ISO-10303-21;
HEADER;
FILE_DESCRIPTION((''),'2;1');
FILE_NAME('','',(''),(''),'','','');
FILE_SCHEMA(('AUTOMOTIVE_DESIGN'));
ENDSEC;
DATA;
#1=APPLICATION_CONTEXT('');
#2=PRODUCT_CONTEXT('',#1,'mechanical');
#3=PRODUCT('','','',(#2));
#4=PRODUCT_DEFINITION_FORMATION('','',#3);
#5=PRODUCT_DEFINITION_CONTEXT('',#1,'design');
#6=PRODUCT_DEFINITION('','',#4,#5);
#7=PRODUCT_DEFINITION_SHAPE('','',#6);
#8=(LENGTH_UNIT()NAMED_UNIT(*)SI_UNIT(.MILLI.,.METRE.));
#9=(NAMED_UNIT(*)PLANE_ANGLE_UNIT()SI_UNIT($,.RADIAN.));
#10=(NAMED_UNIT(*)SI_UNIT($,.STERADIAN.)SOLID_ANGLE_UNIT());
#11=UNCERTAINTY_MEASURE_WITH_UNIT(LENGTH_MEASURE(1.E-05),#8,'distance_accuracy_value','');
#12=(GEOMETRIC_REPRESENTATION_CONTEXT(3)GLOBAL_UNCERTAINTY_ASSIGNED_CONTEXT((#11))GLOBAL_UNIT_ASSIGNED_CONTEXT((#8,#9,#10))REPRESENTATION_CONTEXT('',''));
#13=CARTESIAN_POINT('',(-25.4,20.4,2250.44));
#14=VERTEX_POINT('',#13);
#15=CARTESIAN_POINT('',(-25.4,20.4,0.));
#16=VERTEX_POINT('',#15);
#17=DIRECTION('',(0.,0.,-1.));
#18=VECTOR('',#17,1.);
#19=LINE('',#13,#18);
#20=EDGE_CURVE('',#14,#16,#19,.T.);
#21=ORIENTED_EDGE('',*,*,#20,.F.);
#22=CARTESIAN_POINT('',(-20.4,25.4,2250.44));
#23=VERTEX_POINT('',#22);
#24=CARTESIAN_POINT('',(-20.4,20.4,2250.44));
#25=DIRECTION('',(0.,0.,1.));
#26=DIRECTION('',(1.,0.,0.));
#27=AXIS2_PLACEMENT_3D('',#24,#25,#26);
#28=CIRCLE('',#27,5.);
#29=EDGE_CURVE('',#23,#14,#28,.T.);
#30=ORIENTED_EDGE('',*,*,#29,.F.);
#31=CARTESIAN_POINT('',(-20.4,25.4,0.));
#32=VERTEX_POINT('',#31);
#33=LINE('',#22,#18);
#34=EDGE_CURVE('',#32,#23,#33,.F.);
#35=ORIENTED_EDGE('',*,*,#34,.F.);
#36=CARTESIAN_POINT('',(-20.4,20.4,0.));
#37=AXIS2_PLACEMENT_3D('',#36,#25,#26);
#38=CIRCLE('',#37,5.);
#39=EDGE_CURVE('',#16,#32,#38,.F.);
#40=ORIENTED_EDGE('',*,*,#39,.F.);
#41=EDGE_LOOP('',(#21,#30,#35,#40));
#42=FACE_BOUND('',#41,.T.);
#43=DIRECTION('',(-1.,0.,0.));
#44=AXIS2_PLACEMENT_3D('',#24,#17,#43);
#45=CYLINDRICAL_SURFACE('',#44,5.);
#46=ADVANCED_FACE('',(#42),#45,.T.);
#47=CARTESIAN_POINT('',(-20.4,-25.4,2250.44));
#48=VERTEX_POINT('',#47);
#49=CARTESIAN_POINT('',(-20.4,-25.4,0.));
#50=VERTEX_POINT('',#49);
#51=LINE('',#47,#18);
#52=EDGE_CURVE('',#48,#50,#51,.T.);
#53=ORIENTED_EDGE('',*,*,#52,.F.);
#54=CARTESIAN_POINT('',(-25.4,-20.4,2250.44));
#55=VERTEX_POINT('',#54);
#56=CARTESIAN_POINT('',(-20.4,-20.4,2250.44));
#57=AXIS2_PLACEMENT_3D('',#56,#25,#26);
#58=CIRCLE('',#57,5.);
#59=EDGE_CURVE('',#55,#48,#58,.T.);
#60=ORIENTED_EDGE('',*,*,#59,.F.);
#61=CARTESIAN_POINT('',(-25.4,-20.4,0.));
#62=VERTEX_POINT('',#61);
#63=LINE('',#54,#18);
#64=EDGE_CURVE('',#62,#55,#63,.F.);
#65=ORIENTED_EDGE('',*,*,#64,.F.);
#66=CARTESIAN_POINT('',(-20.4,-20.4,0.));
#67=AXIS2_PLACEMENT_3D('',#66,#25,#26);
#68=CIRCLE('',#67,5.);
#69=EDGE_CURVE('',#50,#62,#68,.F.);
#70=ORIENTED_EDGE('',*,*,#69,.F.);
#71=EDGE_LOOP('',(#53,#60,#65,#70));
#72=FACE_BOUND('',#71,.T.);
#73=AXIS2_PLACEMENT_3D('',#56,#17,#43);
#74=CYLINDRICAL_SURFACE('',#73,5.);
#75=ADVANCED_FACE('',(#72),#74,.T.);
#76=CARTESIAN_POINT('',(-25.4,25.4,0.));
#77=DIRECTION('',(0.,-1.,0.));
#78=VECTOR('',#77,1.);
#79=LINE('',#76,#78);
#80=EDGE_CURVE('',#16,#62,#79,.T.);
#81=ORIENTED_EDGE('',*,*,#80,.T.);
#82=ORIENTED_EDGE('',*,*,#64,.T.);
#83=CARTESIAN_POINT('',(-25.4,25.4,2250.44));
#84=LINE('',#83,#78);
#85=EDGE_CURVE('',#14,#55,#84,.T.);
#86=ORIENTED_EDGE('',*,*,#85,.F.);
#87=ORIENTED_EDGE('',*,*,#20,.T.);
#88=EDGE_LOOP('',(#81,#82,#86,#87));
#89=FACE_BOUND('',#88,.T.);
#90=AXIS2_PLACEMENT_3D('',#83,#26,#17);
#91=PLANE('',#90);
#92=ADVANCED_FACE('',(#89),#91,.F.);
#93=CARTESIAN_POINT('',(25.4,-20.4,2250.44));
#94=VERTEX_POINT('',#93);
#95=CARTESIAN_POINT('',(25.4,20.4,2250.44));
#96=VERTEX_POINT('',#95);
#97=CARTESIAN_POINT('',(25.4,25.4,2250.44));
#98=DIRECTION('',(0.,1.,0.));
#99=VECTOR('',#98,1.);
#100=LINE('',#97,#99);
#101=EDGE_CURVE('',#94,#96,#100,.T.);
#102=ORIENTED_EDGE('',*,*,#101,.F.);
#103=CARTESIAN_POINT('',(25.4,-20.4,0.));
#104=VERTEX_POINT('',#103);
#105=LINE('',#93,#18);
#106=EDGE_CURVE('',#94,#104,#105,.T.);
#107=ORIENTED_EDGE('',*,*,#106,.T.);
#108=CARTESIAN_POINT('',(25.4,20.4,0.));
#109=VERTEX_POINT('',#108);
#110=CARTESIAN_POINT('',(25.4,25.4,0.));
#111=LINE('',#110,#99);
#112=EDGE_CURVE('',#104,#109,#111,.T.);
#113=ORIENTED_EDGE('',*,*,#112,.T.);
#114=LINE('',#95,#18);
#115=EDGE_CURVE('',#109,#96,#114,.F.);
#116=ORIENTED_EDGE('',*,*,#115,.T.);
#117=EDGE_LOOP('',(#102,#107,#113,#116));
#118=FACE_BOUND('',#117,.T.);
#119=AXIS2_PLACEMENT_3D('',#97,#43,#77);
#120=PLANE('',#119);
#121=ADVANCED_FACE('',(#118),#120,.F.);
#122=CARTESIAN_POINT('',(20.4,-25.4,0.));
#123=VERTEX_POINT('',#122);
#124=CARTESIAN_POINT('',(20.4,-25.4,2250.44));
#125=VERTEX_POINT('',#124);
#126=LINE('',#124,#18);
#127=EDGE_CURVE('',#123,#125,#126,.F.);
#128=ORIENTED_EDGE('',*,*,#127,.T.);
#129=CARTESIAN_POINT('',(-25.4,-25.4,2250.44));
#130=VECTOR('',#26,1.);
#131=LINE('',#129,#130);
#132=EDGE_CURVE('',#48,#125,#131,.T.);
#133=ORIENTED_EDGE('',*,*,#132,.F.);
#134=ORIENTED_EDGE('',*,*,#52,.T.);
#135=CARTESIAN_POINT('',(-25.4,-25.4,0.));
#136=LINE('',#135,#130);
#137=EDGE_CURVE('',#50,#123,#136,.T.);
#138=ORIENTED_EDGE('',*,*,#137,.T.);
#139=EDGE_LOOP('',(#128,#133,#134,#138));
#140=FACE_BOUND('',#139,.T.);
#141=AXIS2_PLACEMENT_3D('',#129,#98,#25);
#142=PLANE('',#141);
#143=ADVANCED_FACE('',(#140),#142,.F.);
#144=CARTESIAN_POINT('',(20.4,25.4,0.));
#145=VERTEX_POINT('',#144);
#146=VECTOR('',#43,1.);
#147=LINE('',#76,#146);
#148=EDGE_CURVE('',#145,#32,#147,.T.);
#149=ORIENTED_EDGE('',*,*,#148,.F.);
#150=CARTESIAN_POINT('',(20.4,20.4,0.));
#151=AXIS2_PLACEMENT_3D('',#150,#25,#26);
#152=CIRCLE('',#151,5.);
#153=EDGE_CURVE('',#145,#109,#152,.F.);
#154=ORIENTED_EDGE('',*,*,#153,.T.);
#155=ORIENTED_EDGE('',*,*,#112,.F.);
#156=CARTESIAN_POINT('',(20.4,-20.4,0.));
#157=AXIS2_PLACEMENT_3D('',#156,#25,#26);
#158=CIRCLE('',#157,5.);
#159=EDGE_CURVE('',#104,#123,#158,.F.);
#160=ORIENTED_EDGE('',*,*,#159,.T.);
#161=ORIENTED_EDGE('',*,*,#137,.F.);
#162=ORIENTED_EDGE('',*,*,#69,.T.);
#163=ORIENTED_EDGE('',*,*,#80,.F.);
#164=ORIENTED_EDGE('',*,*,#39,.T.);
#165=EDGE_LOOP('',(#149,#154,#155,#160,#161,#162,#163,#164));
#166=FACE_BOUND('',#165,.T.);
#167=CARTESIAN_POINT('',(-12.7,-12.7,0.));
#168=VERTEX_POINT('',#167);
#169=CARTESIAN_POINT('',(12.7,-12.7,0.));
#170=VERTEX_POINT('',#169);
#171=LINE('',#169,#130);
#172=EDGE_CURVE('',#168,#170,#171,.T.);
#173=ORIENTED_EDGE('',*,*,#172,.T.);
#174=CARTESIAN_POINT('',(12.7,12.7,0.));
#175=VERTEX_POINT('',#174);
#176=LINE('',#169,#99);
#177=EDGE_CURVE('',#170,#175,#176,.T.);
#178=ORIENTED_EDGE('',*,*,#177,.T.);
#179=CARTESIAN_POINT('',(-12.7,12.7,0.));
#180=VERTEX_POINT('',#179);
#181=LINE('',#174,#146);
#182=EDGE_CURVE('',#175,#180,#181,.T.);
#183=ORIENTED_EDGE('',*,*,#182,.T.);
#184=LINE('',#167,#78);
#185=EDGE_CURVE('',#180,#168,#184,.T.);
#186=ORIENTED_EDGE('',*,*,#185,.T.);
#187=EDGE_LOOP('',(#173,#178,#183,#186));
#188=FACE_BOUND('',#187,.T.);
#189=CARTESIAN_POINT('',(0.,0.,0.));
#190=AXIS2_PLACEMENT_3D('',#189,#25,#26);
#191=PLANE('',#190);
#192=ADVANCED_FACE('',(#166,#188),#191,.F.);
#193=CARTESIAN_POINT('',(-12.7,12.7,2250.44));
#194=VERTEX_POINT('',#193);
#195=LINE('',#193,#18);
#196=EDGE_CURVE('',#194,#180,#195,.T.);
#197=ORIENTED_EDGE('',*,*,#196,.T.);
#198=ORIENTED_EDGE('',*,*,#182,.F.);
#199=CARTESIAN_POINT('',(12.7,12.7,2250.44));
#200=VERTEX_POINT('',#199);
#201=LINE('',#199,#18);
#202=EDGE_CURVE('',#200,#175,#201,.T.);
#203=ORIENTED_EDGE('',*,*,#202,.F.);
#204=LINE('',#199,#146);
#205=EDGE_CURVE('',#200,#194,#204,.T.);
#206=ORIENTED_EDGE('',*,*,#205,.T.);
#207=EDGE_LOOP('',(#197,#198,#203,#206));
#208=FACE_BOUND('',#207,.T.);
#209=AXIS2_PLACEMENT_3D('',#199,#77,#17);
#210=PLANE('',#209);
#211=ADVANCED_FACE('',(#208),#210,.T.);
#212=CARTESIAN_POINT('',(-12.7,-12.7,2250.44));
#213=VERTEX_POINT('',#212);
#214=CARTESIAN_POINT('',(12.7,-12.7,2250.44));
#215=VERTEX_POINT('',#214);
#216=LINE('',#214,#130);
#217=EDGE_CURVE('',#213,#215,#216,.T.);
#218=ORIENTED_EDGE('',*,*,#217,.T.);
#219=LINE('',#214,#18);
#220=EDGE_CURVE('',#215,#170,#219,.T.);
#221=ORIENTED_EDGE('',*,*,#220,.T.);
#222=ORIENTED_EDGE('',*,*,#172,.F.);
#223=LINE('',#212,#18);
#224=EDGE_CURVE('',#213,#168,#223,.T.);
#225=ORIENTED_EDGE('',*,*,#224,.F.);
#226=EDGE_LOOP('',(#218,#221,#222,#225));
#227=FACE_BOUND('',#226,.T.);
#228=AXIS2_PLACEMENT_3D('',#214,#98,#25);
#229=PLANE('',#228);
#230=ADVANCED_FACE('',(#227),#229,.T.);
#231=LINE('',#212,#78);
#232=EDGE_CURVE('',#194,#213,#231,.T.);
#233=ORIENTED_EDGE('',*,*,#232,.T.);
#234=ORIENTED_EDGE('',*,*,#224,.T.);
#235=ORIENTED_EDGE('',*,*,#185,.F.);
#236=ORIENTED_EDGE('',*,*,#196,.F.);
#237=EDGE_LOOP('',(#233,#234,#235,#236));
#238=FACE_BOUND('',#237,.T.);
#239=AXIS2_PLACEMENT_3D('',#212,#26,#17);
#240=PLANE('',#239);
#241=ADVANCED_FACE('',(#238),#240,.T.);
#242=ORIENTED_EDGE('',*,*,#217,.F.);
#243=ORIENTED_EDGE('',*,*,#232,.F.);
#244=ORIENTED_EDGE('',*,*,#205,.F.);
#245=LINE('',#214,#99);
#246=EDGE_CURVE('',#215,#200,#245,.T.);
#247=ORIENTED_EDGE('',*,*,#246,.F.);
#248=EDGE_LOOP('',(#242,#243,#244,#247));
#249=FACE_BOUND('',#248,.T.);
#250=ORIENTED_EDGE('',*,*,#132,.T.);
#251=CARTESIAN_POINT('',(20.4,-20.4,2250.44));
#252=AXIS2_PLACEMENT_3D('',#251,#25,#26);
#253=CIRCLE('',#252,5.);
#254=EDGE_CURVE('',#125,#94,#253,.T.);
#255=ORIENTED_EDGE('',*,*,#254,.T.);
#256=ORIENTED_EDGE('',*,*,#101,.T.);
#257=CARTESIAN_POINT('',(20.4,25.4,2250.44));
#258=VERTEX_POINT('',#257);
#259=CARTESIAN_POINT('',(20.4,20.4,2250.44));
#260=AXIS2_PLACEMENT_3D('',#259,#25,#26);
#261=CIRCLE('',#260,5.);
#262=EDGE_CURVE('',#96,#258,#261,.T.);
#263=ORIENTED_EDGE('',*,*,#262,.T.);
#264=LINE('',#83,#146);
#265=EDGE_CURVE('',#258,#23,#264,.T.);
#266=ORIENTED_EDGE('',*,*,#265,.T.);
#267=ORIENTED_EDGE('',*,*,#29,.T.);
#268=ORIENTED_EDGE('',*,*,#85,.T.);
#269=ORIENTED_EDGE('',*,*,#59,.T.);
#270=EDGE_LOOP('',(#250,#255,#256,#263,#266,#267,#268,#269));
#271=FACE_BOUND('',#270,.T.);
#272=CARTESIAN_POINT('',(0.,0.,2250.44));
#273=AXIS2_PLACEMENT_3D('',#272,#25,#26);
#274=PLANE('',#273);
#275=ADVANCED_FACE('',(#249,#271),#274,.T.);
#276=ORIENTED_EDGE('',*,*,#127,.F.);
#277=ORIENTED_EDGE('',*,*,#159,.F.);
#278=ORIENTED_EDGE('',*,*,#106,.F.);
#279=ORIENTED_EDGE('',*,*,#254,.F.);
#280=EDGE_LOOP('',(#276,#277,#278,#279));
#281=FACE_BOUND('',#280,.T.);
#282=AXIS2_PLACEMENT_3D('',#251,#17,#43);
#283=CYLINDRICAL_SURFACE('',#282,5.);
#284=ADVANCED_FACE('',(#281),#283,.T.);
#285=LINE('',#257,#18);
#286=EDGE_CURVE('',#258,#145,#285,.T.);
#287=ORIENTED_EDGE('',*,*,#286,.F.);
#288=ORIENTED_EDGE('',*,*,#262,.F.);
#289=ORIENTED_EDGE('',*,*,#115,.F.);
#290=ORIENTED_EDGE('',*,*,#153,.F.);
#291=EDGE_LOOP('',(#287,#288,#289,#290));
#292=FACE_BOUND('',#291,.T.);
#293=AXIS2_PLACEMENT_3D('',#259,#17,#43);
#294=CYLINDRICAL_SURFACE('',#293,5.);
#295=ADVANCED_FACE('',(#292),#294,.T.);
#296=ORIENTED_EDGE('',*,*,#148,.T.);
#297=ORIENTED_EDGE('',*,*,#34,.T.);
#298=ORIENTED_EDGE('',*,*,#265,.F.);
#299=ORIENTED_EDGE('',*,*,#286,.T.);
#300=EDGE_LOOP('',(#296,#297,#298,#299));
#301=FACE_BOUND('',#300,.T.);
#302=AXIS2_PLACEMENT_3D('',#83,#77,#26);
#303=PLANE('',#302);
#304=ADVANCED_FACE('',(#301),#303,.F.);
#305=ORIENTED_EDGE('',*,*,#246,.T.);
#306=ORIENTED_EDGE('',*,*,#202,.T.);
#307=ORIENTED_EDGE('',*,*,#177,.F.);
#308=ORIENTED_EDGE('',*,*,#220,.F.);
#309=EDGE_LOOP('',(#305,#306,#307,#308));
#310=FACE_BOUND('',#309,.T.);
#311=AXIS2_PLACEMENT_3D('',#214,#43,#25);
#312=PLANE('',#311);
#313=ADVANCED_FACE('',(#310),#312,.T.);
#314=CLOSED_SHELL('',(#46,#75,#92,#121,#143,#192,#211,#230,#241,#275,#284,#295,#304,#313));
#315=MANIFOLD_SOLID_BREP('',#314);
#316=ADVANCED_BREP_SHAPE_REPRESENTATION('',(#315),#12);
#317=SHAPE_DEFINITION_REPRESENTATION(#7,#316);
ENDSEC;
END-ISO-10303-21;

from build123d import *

# Parameters (mm, degrees)
SKETCH1_W           = 50.8
SKETCH1_H           = 50.8
SKETCH1_W_2         = 25.4
SKETCH1_H_2         = 25.4
BOSS_EXTRUDE1_DEPTH = 2250.44
FILLET1_R           = 5


with BuildPart() as part:
    # Sketch1 → Boss-Extrude1 (new body)
    with BuildSketch(Plane.XY):
        Rectangle(SKETCH1_W, SKETCH1_H)
        Rectangle(SKETCH1_W_2, SKETCH1_H_2, mode=Mode.SUBTRACT)
    extrude(amount=BOSS_EXTRUDE1_DEPTH)

    # Fillet1
    fillet1_edges = [part.edges().sort_by_distance(p)[0] for p in [
        (25.4, -25.4, 1125.22),
        (-25.4, -25.4, 1125.22),
        (-25.4, 25.4, 1125.22),
        (25.4, 25.4, 1125.22),
    ]]
    fillet(fillet1_edges, radius=FILLET1_R)


solid = part.part
